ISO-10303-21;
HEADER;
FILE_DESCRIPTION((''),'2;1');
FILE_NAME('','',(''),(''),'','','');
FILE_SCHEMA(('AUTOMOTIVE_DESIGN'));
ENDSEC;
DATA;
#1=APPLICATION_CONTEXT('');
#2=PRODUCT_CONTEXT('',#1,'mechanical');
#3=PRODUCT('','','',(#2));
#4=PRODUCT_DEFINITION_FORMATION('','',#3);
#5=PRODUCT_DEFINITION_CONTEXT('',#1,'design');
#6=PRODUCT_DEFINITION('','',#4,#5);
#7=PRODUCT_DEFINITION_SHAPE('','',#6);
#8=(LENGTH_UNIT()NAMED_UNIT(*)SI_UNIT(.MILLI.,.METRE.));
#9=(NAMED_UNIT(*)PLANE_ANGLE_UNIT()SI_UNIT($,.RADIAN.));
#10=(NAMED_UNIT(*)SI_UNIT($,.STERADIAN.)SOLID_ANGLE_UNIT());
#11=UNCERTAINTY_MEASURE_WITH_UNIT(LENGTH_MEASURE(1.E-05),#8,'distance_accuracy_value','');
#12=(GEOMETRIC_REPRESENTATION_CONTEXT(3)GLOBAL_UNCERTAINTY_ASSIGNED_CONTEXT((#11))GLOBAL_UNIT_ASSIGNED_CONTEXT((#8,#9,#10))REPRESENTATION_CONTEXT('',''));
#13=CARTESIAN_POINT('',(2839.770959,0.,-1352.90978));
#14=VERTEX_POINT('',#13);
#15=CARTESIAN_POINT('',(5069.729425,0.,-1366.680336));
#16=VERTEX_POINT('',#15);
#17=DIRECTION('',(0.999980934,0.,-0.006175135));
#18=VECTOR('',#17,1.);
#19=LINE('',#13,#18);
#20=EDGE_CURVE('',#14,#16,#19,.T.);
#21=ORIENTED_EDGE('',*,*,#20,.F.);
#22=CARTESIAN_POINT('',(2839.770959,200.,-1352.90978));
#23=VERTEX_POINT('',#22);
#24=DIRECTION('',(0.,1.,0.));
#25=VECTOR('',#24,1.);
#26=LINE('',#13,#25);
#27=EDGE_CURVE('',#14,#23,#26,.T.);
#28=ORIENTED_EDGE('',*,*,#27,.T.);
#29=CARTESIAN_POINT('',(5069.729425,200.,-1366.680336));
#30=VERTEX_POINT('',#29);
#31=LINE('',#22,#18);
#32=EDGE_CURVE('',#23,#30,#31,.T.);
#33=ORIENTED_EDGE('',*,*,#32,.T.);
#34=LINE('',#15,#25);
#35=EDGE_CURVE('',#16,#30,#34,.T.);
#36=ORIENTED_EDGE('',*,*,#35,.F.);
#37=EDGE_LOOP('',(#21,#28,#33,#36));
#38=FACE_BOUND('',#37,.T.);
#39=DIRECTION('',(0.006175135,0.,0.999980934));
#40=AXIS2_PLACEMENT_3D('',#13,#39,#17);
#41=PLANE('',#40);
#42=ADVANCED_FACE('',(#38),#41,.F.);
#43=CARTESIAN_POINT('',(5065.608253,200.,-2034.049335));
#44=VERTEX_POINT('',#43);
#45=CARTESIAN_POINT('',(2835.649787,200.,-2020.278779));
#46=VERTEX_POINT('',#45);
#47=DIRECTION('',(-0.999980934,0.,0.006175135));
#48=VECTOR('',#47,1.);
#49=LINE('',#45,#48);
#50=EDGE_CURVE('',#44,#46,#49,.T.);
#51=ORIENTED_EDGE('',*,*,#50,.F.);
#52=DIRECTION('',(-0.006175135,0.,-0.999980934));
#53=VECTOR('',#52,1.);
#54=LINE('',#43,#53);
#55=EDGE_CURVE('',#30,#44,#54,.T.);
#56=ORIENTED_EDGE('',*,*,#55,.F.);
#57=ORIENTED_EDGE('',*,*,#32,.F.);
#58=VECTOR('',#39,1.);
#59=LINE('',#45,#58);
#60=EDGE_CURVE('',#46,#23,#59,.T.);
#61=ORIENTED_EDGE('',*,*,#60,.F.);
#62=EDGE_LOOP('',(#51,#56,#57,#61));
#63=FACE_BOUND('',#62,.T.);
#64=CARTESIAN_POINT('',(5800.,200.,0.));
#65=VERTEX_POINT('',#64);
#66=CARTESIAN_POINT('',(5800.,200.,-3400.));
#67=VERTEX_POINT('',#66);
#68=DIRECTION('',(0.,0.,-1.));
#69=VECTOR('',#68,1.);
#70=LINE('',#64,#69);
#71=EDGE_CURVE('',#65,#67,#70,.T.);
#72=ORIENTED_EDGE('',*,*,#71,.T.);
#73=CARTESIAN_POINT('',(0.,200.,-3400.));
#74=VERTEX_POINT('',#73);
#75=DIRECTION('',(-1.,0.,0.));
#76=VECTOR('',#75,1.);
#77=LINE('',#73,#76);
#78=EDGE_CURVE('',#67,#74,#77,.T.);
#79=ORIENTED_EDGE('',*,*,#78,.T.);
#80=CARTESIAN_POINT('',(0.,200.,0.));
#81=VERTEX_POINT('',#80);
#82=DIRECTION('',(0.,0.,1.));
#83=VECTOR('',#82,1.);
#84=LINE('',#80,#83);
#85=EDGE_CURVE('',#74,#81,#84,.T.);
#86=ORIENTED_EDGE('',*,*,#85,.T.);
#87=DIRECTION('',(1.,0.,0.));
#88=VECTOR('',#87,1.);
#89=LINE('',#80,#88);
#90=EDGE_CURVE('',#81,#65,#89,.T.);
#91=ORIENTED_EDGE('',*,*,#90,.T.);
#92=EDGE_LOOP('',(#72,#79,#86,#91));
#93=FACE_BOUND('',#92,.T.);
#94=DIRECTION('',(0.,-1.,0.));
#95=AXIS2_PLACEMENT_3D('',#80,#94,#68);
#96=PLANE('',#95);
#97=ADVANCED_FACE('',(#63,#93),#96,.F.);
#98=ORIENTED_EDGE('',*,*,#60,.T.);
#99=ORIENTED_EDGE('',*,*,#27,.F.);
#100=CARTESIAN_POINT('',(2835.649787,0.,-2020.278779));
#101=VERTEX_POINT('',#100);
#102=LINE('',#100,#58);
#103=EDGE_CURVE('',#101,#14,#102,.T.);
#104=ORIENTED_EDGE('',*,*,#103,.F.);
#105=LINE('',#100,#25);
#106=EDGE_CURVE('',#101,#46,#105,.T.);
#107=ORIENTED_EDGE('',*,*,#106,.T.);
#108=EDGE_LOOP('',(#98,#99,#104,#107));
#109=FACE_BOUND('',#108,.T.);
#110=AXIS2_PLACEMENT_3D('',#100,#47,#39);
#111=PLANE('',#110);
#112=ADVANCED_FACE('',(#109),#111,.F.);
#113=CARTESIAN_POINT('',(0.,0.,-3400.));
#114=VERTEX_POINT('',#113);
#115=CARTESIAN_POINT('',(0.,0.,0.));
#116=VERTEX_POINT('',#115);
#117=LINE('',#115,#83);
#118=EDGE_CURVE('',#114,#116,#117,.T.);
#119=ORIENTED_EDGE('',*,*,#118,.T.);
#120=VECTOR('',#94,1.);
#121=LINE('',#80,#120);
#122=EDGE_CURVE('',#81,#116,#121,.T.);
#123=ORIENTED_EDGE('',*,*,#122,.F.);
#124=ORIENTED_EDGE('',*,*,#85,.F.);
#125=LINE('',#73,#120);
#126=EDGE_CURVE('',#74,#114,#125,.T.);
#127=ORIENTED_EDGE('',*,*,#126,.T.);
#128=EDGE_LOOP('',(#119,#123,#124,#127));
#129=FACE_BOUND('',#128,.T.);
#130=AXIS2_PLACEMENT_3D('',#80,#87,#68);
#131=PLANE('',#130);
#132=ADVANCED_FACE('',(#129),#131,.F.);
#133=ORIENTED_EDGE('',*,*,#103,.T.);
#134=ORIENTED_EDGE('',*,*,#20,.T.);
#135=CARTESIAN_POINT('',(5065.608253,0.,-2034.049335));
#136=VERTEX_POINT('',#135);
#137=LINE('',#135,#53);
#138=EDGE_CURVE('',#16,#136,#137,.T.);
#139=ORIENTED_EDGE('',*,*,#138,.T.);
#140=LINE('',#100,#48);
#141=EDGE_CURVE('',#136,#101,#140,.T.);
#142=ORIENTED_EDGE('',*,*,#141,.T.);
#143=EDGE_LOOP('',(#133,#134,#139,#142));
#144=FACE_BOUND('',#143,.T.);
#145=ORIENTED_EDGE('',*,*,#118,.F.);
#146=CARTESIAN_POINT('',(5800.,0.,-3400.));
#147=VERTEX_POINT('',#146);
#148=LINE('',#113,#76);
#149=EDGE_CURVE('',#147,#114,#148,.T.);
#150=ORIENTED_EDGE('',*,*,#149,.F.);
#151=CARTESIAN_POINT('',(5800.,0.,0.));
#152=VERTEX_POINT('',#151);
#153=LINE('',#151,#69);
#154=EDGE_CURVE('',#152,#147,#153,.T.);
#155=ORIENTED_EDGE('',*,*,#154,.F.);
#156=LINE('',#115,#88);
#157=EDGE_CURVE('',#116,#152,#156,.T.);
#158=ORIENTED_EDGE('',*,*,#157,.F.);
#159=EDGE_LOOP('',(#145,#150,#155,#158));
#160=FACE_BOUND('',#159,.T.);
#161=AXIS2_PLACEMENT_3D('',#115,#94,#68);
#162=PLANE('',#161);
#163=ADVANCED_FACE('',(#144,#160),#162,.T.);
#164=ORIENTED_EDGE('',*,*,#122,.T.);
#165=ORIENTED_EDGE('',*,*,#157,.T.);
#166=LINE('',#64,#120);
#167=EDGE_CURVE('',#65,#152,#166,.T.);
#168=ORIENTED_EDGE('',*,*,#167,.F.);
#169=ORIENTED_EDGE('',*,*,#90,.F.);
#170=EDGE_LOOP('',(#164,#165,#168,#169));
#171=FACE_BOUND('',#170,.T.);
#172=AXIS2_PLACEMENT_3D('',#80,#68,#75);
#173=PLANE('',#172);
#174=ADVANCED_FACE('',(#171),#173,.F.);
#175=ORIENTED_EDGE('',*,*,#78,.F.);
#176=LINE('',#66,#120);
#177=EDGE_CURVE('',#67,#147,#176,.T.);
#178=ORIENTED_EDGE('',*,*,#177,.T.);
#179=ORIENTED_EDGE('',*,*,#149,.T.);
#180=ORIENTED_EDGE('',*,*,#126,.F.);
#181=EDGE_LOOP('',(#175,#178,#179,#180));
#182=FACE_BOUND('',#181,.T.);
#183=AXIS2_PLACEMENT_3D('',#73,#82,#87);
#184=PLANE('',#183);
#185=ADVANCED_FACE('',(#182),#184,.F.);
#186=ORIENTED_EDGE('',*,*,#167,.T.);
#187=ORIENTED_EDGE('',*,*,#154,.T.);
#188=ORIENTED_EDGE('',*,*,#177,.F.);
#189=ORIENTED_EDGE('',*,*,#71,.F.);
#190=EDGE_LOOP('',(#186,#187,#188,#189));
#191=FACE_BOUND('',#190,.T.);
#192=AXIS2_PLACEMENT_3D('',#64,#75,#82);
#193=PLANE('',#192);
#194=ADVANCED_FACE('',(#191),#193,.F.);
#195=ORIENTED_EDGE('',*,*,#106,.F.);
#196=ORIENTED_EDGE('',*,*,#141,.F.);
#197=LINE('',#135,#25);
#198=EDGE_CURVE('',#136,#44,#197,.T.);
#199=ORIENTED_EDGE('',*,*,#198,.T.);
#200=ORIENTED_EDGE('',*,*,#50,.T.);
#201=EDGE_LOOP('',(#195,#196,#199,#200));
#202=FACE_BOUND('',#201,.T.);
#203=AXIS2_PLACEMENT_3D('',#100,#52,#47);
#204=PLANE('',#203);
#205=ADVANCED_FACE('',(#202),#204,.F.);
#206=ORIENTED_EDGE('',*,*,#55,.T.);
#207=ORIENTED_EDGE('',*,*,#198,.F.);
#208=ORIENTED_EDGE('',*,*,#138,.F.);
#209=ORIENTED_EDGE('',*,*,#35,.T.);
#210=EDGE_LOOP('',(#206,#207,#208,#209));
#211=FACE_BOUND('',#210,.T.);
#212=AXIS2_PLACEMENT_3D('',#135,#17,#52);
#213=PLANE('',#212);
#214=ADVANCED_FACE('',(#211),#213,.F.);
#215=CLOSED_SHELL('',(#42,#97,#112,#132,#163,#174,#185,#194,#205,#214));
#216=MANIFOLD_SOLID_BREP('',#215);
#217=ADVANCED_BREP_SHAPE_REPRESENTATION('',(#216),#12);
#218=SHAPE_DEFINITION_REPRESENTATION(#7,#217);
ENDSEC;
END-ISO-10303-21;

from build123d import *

# Parameters (mm, degrees)
SKETCH_1_W          = 5800
SKETCH_1_H          = 3400
EXTRUDE_1_DEPTH     = 200
CUT_EXTRUDE_1_DEPTH = 200


with BuildPart() as part:
    # Эскиз1 → Бобышка-Вытянуть1 (new body)
    with BuildSketch(Plane(origin=(0, 0, 0), x_dir=(1, 0, 0), z_dir=(0, 1, 0))):
        with Locations((2900, 1700)):
            Rectangle(SKETCH_1_W, SKETCH_1_H)
    extrude(amount=EXTRUDE_1_DEPTH)

    # Эскиз2 → Вырез-Вытянуть1 (cut)
    with BuildSketch(Plane(origin=(0, 200, 0), x_dir=(1, 0, 0), z_dir=(0, 1, 0))):
        Polygon((2835.64978703, 2020.278779221), (5065.60825261, 2034.049335389), (5069.729424565, 1366.68033616), (2839.770958985, 1352.909779993), align=None)
    extrude(amount=-CUT_EXTRUDE_1_DEPTH, mode=Mode.SUBTRACT)


solid = part.part
